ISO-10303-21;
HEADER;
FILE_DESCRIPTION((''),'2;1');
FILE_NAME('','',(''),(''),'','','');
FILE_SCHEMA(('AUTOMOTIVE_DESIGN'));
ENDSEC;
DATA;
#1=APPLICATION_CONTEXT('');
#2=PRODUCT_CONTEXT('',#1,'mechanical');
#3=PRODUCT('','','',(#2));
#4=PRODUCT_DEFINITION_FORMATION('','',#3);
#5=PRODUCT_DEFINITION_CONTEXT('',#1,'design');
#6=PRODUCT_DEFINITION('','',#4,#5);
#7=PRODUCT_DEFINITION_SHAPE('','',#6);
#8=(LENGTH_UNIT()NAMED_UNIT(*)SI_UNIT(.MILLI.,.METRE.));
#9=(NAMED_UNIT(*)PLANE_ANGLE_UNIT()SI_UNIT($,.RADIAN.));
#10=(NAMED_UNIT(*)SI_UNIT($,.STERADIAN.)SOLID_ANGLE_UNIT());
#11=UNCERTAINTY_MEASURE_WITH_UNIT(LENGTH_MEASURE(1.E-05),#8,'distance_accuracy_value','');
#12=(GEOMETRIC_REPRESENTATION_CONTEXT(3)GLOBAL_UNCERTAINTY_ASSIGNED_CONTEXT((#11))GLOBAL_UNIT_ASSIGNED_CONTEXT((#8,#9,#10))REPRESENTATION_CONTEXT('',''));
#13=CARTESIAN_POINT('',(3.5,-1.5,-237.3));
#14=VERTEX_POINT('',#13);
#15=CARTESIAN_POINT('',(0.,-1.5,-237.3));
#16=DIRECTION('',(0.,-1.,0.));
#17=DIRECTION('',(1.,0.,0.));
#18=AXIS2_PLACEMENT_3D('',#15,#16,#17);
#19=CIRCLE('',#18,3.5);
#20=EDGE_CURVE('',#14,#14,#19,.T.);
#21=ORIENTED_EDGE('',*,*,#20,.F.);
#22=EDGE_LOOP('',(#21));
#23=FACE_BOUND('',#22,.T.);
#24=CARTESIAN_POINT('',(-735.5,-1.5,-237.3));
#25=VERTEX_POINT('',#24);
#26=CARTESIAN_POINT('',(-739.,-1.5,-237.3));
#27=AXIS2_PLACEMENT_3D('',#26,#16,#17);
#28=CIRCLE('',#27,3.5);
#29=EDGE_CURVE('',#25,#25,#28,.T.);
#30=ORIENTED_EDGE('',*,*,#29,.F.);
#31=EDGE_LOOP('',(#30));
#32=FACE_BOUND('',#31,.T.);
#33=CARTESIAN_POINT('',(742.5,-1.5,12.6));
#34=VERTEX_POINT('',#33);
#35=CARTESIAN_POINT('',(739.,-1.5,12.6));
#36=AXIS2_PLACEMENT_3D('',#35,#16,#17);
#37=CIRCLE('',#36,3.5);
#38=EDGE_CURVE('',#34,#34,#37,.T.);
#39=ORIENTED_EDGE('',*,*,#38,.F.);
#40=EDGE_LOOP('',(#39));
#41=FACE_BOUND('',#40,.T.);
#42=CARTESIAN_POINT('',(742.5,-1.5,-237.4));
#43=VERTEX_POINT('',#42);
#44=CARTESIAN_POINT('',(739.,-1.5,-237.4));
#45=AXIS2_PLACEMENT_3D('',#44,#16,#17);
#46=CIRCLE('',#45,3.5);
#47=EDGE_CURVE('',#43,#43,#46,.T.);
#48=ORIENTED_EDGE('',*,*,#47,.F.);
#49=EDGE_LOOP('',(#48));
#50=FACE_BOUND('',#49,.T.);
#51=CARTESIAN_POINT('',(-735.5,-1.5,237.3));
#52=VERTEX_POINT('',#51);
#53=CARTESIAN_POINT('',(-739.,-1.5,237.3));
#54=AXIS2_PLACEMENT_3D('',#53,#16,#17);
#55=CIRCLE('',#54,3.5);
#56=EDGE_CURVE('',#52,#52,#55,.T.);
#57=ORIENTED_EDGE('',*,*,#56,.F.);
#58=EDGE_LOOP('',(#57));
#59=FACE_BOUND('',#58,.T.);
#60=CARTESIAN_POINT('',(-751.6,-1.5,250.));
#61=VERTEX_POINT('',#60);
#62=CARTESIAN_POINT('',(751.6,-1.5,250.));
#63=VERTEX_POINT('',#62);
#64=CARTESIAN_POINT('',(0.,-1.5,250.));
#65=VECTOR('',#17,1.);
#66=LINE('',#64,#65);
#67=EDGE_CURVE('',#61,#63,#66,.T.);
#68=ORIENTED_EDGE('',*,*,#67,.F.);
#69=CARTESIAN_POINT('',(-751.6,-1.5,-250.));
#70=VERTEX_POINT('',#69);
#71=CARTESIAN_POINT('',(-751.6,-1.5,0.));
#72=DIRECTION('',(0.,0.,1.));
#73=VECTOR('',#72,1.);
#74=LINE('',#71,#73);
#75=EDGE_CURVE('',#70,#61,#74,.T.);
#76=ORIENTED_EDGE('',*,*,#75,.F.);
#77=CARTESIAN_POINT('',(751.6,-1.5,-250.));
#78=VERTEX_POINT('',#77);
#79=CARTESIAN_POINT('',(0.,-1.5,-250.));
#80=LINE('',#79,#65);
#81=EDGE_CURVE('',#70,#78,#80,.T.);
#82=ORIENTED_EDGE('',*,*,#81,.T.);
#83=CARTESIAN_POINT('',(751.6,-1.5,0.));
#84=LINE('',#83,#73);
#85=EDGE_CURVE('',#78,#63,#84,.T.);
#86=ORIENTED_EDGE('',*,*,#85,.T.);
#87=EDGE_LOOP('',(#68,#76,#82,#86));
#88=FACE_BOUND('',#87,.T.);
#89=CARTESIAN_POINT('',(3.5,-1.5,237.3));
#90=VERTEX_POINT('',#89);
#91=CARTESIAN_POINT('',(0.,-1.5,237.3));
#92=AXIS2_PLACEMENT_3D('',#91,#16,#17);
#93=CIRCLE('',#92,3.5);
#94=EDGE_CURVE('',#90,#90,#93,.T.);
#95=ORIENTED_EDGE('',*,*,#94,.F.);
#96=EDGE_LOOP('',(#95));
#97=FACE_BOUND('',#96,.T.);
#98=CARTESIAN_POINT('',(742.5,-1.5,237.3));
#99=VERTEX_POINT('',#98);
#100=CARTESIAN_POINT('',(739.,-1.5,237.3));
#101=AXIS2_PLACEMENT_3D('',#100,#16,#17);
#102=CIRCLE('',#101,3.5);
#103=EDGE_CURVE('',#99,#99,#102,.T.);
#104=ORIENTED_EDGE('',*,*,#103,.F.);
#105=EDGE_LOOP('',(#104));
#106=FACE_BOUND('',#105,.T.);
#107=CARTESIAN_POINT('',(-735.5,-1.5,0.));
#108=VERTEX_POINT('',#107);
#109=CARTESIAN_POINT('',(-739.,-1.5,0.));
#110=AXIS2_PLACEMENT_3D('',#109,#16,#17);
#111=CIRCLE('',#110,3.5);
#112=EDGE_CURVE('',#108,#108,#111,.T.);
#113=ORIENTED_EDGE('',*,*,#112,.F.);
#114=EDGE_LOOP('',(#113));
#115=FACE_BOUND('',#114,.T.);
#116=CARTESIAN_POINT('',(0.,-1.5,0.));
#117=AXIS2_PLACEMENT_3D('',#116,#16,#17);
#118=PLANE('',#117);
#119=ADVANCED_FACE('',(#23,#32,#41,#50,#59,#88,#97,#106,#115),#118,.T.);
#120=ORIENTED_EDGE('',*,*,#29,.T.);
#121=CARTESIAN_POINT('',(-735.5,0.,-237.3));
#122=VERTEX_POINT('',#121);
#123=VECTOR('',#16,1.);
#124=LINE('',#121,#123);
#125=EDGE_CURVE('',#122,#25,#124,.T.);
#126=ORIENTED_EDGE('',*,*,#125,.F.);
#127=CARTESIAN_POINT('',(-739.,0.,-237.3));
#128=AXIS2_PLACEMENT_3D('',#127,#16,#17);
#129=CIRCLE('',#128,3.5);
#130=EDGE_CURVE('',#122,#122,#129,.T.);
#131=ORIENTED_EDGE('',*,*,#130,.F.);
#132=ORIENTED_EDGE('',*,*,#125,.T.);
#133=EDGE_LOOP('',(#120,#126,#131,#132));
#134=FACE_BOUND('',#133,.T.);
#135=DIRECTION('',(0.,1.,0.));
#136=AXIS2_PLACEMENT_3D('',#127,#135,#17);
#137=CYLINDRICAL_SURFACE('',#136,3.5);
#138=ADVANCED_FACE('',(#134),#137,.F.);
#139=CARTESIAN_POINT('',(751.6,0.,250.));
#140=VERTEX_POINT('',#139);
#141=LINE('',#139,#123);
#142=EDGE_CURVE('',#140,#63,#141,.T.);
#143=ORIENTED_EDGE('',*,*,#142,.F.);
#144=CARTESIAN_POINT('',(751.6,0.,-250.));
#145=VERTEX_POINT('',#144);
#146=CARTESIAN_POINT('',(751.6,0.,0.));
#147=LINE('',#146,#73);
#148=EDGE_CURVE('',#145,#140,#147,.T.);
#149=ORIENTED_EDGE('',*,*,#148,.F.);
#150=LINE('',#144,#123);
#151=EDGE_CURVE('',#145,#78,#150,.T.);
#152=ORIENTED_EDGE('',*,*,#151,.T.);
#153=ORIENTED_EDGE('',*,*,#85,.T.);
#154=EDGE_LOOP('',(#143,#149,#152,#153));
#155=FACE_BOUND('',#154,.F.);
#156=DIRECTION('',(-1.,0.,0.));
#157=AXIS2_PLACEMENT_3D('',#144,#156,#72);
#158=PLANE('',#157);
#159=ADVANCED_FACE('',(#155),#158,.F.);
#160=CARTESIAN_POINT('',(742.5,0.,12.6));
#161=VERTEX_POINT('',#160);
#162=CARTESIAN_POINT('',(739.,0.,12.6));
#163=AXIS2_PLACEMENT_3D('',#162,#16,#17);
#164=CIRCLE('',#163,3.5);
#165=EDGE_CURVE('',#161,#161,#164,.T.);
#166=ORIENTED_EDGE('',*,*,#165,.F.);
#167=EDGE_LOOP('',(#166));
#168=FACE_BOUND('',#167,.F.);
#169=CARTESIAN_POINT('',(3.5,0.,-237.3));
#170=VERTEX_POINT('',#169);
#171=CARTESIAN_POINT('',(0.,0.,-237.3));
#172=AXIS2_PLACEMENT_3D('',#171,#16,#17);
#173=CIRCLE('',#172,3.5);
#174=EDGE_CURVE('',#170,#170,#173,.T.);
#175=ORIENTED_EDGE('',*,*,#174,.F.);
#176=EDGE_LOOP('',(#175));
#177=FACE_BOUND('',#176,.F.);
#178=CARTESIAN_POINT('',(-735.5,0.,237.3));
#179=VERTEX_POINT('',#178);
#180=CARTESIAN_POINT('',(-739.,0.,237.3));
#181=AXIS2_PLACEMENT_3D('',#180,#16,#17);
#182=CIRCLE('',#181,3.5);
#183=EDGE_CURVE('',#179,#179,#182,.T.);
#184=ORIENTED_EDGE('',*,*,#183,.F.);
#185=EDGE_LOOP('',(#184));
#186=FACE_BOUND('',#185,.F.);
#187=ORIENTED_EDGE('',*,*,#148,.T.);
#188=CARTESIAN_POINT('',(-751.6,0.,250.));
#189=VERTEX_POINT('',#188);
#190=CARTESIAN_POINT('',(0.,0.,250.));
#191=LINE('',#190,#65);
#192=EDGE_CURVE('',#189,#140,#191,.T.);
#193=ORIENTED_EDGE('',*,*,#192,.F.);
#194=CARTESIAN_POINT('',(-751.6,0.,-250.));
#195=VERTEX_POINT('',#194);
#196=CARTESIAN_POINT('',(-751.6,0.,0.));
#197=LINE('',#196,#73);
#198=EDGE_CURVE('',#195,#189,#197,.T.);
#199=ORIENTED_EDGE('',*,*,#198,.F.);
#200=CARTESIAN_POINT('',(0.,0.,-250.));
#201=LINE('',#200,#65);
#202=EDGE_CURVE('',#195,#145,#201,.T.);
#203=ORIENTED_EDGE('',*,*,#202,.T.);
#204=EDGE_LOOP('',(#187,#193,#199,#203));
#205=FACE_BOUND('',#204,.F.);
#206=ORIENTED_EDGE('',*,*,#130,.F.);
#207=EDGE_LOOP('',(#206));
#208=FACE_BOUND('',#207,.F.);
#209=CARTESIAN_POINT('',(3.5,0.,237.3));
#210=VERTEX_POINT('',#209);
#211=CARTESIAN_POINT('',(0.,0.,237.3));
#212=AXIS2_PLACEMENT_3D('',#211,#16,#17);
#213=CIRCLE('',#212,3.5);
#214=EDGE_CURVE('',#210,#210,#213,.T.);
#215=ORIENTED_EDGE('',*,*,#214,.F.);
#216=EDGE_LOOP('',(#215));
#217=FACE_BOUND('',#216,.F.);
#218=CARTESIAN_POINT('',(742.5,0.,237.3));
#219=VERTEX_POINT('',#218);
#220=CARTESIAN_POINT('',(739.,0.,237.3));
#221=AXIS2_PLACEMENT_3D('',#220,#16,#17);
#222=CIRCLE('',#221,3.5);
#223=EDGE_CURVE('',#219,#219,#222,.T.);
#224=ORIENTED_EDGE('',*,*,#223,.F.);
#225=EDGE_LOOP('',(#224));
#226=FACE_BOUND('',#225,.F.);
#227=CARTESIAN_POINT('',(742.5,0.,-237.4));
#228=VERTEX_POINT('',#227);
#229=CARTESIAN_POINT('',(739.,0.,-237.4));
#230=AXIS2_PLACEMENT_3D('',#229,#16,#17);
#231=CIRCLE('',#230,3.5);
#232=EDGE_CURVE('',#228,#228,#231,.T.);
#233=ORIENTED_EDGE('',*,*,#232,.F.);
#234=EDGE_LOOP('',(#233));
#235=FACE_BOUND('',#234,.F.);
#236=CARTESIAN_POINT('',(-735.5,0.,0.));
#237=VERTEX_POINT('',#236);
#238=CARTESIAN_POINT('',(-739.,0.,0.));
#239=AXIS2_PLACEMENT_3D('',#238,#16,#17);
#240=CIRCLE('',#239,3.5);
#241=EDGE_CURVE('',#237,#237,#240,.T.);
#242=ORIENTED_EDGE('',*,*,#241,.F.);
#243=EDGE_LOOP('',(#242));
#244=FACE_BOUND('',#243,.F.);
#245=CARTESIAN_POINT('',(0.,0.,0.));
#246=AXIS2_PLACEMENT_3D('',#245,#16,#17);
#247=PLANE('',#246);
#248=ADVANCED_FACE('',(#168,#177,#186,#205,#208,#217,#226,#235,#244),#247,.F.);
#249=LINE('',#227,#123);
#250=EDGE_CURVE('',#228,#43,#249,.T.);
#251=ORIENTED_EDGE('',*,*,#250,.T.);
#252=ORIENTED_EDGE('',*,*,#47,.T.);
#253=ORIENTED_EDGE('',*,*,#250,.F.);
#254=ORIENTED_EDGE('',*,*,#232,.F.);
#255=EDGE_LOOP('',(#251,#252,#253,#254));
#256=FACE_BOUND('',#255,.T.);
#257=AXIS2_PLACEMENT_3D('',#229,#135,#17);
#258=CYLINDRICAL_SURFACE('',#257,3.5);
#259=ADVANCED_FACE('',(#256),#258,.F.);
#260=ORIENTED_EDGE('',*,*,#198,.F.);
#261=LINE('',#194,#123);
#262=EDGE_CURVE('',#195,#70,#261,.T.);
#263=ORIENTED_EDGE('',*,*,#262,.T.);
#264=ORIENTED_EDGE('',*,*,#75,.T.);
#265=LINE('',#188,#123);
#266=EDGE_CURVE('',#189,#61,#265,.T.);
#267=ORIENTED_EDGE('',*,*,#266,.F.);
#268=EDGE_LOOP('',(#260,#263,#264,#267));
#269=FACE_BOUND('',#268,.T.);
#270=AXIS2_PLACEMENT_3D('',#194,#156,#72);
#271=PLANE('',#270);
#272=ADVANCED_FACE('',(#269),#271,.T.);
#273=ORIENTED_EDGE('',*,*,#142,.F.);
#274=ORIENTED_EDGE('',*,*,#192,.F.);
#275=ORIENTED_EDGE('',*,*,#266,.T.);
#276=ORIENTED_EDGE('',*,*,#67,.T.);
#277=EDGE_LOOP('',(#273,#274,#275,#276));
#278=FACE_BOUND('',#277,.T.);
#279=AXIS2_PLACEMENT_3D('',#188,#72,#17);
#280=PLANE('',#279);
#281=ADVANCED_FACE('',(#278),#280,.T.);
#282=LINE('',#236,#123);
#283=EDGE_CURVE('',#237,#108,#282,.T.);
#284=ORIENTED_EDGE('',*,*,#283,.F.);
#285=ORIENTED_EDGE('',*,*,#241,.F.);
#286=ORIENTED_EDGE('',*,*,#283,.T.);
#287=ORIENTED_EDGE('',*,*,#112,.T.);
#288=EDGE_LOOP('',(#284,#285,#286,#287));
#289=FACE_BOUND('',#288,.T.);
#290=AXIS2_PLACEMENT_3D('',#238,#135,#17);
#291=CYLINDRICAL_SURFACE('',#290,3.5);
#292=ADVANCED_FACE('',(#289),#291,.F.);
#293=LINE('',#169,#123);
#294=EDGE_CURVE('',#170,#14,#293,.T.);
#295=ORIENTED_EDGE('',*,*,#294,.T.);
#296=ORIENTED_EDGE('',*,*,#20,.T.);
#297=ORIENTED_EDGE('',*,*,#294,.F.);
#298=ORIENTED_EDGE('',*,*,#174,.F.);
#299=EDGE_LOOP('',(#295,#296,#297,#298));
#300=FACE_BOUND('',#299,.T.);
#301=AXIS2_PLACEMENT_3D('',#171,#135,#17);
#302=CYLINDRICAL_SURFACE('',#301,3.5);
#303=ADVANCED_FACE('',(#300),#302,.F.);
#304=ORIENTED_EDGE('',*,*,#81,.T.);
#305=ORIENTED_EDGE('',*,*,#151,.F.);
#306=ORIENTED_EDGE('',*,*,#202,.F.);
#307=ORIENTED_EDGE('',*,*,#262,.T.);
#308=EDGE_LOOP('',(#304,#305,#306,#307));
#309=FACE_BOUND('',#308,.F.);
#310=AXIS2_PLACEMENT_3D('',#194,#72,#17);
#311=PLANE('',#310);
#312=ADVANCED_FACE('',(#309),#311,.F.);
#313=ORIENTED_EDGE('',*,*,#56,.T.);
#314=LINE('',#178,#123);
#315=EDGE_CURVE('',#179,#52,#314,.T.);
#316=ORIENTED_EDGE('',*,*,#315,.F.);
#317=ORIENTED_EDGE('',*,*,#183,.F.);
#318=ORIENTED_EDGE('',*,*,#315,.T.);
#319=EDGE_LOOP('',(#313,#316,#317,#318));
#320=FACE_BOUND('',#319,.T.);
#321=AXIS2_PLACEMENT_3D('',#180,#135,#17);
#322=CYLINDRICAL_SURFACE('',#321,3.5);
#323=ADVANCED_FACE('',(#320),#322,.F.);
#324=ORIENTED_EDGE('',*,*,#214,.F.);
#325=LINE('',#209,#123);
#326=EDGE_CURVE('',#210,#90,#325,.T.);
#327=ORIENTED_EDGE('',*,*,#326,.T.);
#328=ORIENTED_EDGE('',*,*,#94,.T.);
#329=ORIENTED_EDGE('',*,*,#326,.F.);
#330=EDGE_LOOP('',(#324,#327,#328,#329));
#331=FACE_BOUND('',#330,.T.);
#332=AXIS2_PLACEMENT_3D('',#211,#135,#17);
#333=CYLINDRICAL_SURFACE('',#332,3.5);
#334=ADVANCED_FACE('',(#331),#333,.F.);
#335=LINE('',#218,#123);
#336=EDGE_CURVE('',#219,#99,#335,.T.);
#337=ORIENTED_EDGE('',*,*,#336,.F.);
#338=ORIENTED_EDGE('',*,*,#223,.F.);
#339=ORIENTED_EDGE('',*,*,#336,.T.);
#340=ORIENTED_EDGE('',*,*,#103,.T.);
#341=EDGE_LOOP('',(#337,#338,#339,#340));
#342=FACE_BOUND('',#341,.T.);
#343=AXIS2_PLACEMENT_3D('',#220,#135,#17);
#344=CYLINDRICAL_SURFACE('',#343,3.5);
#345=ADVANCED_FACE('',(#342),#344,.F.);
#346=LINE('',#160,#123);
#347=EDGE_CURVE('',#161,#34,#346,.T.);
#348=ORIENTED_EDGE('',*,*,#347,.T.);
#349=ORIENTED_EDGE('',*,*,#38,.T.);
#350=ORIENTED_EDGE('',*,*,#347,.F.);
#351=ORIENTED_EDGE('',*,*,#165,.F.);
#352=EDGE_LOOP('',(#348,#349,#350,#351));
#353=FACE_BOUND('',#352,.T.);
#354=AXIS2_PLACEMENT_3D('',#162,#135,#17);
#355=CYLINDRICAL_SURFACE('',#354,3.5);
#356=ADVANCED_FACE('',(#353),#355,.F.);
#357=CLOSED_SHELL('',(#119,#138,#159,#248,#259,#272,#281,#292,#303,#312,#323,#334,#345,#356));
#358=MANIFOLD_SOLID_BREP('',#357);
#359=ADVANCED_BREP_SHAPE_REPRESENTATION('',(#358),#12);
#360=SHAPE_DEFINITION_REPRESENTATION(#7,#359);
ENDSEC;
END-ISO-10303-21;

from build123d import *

# Parameters (mm, degrees)
F0_W     = 1503.2
F0_H     = 500
F0_R     = 3.5
F1_DEPTH = 1.5


with BuildPart() as f1:
    # F0 (on Front) → F1 (new body)
    with BuildSketch(Plane.XZ):
        Rectangle(F0_W, F0_H)
        with Locations((-739, -237.3)):
            Circle(F0_R, mode=Mode.SUBTRACT)
        with Locations((0, -237.3)):
            Circle(F0_R, mode=Mode.SUBTRACT)
        with Locations((739, -237.4)):
            Circle(F0_R, mode=Mode.SUBTRACT)
        with Locations((-739, 0)):
            Circle(F0_R, mode=Mode.SUBTRACT)
        with Locations((-739, 237.3)):
            Circle(F0_R, mode=Mode.SUBTRACT)
        with Locations((739, 12.6)):
            Circle(F0_R, mode=Mode.SUBTRACT)
        with Locations((0, 237.3)):
            Circle(F0_R, mode=Mode.SUBTRACT)
        with Locations((739, 237.3)):
            Circle(F0_R, mode=Mode.SUBTRACT)
    extrude(amount=F1_DEPTH)


solid = f1.part
